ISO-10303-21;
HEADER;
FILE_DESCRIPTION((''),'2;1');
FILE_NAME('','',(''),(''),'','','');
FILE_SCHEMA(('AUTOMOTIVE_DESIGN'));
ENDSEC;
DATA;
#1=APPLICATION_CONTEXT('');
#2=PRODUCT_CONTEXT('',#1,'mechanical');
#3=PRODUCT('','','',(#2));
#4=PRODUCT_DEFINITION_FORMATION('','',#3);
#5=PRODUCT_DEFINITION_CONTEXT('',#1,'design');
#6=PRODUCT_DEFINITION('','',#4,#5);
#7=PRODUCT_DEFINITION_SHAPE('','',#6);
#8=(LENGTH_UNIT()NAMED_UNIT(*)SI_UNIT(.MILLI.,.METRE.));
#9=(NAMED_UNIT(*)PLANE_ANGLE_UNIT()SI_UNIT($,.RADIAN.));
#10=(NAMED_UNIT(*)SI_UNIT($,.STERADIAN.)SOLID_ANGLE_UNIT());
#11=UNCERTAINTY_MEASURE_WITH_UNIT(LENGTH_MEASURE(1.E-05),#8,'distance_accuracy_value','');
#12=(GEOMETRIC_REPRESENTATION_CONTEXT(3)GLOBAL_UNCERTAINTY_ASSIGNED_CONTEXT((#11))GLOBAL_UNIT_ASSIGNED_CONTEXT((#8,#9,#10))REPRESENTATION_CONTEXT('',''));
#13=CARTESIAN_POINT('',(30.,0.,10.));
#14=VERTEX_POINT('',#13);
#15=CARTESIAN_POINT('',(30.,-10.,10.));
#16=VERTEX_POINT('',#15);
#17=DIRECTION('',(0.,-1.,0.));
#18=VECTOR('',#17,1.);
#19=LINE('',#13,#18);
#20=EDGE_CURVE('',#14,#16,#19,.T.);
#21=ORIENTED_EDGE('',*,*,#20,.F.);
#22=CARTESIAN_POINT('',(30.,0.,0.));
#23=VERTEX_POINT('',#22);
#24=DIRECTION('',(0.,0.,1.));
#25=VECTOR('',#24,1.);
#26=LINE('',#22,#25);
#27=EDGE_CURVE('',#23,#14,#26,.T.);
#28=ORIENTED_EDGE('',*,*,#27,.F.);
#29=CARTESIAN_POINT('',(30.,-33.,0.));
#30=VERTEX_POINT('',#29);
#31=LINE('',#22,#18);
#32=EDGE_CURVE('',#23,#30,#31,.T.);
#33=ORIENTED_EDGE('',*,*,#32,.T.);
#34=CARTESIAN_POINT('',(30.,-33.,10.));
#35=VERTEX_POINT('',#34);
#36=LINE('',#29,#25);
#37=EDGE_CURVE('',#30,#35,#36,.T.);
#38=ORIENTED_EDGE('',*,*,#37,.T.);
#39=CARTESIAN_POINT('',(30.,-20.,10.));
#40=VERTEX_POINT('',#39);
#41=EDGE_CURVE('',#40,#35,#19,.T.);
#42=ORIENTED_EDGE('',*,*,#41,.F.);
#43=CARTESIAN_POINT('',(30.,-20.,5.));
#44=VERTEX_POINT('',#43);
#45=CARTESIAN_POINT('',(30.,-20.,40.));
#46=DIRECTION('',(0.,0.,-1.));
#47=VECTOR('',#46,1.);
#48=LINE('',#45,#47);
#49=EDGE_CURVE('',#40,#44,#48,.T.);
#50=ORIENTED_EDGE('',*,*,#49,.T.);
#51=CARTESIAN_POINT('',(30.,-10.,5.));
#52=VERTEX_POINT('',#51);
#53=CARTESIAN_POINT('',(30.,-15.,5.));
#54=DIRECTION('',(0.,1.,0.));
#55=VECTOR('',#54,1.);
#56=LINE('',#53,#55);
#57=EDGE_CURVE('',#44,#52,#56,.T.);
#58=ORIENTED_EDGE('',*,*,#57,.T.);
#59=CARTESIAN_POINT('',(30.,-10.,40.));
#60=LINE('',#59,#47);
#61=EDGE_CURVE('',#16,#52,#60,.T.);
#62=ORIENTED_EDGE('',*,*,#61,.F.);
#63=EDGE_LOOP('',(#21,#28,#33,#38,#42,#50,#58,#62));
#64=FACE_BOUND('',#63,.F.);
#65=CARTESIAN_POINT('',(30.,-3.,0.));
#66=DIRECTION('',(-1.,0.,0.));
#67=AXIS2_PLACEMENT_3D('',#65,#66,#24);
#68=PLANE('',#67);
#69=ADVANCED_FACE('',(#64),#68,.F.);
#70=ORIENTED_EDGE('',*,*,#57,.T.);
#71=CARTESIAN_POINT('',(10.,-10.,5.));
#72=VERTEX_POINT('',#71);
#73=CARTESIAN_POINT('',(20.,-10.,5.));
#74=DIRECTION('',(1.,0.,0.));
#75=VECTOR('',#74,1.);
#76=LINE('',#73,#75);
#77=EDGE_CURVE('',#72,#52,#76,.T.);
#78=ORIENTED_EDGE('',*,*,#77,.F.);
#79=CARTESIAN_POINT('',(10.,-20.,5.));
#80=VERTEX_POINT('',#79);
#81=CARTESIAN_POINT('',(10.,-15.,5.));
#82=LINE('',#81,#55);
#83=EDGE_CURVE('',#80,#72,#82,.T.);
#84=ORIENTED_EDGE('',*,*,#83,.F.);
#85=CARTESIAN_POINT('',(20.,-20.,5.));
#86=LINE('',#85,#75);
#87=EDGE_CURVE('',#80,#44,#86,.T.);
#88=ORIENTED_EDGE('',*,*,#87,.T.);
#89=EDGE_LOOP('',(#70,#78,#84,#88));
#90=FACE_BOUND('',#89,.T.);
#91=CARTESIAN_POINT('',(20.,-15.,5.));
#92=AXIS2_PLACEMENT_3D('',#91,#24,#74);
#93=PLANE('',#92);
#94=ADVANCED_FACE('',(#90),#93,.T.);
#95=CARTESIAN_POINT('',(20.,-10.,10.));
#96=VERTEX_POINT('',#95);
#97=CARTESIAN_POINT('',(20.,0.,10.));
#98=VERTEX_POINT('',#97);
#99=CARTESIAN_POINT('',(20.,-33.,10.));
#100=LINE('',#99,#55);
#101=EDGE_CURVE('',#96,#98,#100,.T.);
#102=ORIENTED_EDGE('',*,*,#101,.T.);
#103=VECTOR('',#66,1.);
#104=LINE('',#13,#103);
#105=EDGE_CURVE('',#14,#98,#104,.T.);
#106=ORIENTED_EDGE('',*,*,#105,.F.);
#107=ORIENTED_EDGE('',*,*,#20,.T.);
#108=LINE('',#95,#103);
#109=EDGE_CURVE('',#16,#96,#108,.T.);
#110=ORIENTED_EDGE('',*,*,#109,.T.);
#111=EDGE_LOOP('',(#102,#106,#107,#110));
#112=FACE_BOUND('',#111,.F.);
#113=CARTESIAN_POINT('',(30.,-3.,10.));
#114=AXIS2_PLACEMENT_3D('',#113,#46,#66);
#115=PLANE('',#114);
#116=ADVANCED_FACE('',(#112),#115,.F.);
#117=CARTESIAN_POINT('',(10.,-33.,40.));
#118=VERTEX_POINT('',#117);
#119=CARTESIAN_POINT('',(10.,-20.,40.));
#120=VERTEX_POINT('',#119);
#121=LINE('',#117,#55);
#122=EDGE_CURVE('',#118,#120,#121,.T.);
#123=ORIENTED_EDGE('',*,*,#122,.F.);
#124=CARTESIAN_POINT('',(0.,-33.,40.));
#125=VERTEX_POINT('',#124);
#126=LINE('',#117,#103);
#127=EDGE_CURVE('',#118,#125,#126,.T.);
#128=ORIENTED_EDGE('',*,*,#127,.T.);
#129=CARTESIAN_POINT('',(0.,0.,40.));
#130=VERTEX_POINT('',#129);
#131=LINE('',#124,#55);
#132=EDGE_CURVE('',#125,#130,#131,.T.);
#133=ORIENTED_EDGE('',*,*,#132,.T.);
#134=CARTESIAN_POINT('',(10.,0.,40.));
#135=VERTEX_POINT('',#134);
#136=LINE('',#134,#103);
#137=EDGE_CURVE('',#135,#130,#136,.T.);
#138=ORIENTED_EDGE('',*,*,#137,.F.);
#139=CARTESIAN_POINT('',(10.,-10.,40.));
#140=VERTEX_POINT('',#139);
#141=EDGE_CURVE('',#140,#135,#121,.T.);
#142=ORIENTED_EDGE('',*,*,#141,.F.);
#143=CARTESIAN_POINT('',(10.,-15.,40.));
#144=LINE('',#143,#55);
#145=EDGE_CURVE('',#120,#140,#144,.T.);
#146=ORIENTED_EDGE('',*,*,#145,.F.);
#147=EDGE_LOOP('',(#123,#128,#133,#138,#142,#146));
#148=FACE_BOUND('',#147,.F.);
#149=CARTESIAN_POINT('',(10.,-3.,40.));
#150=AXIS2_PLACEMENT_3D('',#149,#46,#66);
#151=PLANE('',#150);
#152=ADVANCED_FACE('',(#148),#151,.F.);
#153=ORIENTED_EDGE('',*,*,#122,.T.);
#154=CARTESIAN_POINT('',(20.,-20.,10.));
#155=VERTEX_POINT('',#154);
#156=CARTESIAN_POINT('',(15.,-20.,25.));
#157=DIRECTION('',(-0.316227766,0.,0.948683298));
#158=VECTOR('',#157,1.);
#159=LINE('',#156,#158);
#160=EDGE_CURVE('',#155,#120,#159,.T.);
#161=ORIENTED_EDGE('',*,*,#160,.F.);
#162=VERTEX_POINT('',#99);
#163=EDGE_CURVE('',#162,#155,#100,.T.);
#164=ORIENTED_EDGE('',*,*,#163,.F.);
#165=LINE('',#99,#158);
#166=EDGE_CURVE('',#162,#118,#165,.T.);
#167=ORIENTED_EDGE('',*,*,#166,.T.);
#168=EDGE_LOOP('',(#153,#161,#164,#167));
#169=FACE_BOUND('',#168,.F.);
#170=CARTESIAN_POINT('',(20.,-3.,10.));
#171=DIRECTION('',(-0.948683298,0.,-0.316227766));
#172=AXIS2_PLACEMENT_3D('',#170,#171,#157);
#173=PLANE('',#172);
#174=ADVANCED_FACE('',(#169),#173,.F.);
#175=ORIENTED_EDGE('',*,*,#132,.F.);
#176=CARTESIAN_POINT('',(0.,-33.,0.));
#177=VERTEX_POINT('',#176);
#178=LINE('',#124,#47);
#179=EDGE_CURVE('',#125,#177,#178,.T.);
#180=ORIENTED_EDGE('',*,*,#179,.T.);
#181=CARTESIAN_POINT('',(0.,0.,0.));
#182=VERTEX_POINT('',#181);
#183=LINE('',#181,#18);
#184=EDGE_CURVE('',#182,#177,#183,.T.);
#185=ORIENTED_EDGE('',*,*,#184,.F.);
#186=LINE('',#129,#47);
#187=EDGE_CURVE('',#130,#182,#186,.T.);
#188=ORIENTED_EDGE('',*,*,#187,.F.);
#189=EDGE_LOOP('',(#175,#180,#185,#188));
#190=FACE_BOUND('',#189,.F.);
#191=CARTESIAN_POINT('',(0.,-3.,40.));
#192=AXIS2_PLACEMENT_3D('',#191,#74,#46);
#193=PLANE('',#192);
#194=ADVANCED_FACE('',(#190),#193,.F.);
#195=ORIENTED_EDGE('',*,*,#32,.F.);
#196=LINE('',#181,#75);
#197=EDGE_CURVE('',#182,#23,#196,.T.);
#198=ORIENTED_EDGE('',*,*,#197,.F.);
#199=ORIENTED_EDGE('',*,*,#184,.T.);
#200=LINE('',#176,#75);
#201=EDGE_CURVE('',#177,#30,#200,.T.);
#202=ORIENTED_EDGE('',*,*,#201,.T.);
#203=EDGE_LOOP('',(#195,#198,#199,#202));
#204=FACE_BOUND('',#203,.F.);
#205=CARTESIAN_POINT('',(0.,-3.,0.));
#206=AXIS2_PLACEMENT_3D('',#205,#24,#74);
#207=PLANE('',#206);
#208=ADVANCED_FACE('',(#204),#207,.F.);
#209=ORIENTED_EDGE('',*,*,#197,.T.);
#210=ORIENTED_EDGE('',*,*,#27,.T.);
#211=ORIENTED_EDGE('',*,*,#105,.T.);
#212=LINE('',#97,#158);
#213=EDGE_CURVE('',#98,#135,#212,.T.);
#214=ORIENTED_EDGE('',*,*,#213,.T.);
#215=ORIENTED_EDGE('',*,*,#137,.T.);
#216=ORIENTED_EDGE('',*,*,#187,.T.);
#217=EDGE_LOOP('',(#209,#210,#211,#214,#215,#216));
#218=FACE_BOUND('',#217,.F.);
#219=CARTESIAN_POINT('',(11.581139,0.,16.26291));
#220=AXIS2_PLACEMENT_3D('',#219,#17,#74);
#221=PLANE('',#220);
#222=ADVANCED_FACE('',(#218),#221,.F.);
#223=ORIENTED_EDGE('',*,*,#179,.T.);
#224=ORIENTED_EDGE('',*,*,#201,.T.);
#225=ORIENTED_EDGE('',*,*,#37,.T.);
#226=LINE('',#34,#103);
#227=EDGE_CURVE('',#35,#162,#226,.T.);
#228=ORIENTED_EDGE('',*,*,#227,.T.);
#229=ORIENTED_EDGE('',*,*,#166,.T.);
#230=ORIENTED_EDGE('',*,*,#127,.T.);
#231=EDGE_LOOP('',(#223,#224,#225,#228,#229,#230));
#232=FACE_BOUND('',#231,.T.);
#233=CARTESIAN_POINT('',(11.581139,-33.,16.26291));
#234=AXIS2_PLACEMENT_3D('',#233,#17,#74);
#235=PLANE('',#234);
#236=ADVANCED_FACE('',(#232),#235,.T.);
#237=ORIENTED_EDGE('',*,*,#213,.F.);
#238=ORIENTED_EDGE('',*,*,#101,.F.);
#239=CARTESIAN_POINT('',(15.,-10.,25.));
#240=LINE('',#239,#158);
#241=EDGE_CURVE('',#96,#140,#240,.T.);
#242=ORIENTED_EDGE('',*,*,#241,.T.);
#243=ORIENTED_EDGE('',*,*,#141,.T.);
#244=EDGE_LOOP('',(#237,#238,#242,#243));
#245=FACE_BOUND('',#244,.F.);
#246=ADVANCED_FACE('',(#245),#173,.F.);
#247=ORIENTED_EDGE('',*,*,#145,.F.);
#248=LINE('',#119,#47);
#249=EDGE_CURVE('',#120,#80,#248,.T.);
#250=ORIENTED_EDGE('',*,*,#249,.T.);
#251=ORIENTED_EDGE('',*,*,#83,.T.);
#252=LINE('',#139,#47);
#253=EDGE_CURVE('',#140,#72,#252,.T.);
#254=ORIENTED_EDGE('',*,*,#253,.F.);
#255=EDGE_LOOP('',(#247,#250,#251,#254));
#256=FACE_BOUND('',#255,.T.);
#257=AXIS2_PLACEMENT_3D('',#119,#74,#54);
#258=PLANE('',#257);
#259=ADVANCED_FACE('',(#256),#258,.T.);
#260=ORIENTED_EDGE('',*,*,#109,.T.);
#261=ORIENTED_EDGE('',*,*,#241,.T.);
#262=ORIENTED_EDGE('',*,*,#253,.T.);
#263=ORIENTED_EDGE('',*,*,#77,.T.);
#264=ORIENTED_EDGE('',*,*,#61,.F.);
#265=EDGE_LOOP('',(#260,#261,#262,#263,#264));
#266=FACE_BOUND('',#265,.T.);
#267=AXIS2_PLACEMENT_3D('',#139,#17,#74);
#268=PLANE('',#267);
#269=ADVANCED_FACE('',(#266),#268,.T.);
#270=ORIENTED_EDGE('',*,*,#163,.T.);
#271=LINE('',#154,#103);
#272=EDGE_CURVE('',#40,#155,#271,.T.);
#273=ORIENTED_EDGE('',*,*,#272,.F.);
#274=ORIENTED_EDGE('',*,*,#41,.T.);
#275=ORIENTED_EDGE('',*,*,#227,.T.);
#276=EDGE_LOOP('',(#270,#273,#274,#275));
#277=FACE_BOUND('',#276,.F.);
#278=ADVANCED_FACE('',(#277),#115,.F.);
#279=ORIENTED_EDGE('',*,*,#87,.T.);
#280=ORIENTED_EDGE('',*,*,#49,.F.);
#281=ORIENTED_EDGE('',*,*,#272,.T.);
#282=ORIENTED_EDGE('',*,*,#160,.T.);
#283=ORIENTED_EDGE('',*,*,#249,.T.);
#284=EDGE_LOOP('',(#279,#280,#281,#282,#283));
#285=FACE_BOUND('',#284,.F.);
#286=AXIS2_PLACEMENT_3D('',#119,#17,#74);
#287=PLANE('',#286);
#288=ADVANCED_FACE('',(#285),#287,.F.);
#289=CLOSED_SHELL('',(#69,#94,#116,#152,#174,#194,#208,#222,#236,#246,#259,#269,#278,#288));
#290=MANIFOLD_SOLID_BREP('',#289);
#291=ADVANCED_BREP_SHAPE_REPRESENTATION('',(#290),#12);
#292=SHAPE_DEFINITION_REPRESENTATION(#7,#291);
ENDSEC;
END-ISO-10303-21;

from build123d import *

# Parameters (mm, degrees)
F1_DEPTH = 3
F2_DEPTH = 30
F3_W     = 20
F3_H     = 10
F4_DEPTH = 35


with BuildPart() as f1:
    # F0 (on Front) → F1 (new body)
    with BuildSketch(Plane.XZ):
        Polygon((0, 40), (0, 0), (30, 0), (30, 10), (20, 10), (10, 40), align=None)
    extrude(amount=F1_DEPTH)

    # F1_face (on face) → F2 (join)
    with BuildSketch(Plane(origin=(10.666667, -3, 16), x_dir=(1, 0, 0), z_dir=(0, -1, 0))):
        Polygon((-10.666667, 24), (-10.666667, -16), (19.333333, -16), (19.333333, -6), (9.333333, -6), (-0.666667, 24), align=None)
    extrude(amount=F2_DEPTH)

    # F3 (on face) → F4 (cut)
    with BuildSketch(Plane.XY.offset(40)):
        with Locations((20, -15)):
            Rectangle(F3_W, F3_H)
    extrude(amount=-F4_DEPTH, mode=Mode.SUBTRACT)


solid = f1.part
